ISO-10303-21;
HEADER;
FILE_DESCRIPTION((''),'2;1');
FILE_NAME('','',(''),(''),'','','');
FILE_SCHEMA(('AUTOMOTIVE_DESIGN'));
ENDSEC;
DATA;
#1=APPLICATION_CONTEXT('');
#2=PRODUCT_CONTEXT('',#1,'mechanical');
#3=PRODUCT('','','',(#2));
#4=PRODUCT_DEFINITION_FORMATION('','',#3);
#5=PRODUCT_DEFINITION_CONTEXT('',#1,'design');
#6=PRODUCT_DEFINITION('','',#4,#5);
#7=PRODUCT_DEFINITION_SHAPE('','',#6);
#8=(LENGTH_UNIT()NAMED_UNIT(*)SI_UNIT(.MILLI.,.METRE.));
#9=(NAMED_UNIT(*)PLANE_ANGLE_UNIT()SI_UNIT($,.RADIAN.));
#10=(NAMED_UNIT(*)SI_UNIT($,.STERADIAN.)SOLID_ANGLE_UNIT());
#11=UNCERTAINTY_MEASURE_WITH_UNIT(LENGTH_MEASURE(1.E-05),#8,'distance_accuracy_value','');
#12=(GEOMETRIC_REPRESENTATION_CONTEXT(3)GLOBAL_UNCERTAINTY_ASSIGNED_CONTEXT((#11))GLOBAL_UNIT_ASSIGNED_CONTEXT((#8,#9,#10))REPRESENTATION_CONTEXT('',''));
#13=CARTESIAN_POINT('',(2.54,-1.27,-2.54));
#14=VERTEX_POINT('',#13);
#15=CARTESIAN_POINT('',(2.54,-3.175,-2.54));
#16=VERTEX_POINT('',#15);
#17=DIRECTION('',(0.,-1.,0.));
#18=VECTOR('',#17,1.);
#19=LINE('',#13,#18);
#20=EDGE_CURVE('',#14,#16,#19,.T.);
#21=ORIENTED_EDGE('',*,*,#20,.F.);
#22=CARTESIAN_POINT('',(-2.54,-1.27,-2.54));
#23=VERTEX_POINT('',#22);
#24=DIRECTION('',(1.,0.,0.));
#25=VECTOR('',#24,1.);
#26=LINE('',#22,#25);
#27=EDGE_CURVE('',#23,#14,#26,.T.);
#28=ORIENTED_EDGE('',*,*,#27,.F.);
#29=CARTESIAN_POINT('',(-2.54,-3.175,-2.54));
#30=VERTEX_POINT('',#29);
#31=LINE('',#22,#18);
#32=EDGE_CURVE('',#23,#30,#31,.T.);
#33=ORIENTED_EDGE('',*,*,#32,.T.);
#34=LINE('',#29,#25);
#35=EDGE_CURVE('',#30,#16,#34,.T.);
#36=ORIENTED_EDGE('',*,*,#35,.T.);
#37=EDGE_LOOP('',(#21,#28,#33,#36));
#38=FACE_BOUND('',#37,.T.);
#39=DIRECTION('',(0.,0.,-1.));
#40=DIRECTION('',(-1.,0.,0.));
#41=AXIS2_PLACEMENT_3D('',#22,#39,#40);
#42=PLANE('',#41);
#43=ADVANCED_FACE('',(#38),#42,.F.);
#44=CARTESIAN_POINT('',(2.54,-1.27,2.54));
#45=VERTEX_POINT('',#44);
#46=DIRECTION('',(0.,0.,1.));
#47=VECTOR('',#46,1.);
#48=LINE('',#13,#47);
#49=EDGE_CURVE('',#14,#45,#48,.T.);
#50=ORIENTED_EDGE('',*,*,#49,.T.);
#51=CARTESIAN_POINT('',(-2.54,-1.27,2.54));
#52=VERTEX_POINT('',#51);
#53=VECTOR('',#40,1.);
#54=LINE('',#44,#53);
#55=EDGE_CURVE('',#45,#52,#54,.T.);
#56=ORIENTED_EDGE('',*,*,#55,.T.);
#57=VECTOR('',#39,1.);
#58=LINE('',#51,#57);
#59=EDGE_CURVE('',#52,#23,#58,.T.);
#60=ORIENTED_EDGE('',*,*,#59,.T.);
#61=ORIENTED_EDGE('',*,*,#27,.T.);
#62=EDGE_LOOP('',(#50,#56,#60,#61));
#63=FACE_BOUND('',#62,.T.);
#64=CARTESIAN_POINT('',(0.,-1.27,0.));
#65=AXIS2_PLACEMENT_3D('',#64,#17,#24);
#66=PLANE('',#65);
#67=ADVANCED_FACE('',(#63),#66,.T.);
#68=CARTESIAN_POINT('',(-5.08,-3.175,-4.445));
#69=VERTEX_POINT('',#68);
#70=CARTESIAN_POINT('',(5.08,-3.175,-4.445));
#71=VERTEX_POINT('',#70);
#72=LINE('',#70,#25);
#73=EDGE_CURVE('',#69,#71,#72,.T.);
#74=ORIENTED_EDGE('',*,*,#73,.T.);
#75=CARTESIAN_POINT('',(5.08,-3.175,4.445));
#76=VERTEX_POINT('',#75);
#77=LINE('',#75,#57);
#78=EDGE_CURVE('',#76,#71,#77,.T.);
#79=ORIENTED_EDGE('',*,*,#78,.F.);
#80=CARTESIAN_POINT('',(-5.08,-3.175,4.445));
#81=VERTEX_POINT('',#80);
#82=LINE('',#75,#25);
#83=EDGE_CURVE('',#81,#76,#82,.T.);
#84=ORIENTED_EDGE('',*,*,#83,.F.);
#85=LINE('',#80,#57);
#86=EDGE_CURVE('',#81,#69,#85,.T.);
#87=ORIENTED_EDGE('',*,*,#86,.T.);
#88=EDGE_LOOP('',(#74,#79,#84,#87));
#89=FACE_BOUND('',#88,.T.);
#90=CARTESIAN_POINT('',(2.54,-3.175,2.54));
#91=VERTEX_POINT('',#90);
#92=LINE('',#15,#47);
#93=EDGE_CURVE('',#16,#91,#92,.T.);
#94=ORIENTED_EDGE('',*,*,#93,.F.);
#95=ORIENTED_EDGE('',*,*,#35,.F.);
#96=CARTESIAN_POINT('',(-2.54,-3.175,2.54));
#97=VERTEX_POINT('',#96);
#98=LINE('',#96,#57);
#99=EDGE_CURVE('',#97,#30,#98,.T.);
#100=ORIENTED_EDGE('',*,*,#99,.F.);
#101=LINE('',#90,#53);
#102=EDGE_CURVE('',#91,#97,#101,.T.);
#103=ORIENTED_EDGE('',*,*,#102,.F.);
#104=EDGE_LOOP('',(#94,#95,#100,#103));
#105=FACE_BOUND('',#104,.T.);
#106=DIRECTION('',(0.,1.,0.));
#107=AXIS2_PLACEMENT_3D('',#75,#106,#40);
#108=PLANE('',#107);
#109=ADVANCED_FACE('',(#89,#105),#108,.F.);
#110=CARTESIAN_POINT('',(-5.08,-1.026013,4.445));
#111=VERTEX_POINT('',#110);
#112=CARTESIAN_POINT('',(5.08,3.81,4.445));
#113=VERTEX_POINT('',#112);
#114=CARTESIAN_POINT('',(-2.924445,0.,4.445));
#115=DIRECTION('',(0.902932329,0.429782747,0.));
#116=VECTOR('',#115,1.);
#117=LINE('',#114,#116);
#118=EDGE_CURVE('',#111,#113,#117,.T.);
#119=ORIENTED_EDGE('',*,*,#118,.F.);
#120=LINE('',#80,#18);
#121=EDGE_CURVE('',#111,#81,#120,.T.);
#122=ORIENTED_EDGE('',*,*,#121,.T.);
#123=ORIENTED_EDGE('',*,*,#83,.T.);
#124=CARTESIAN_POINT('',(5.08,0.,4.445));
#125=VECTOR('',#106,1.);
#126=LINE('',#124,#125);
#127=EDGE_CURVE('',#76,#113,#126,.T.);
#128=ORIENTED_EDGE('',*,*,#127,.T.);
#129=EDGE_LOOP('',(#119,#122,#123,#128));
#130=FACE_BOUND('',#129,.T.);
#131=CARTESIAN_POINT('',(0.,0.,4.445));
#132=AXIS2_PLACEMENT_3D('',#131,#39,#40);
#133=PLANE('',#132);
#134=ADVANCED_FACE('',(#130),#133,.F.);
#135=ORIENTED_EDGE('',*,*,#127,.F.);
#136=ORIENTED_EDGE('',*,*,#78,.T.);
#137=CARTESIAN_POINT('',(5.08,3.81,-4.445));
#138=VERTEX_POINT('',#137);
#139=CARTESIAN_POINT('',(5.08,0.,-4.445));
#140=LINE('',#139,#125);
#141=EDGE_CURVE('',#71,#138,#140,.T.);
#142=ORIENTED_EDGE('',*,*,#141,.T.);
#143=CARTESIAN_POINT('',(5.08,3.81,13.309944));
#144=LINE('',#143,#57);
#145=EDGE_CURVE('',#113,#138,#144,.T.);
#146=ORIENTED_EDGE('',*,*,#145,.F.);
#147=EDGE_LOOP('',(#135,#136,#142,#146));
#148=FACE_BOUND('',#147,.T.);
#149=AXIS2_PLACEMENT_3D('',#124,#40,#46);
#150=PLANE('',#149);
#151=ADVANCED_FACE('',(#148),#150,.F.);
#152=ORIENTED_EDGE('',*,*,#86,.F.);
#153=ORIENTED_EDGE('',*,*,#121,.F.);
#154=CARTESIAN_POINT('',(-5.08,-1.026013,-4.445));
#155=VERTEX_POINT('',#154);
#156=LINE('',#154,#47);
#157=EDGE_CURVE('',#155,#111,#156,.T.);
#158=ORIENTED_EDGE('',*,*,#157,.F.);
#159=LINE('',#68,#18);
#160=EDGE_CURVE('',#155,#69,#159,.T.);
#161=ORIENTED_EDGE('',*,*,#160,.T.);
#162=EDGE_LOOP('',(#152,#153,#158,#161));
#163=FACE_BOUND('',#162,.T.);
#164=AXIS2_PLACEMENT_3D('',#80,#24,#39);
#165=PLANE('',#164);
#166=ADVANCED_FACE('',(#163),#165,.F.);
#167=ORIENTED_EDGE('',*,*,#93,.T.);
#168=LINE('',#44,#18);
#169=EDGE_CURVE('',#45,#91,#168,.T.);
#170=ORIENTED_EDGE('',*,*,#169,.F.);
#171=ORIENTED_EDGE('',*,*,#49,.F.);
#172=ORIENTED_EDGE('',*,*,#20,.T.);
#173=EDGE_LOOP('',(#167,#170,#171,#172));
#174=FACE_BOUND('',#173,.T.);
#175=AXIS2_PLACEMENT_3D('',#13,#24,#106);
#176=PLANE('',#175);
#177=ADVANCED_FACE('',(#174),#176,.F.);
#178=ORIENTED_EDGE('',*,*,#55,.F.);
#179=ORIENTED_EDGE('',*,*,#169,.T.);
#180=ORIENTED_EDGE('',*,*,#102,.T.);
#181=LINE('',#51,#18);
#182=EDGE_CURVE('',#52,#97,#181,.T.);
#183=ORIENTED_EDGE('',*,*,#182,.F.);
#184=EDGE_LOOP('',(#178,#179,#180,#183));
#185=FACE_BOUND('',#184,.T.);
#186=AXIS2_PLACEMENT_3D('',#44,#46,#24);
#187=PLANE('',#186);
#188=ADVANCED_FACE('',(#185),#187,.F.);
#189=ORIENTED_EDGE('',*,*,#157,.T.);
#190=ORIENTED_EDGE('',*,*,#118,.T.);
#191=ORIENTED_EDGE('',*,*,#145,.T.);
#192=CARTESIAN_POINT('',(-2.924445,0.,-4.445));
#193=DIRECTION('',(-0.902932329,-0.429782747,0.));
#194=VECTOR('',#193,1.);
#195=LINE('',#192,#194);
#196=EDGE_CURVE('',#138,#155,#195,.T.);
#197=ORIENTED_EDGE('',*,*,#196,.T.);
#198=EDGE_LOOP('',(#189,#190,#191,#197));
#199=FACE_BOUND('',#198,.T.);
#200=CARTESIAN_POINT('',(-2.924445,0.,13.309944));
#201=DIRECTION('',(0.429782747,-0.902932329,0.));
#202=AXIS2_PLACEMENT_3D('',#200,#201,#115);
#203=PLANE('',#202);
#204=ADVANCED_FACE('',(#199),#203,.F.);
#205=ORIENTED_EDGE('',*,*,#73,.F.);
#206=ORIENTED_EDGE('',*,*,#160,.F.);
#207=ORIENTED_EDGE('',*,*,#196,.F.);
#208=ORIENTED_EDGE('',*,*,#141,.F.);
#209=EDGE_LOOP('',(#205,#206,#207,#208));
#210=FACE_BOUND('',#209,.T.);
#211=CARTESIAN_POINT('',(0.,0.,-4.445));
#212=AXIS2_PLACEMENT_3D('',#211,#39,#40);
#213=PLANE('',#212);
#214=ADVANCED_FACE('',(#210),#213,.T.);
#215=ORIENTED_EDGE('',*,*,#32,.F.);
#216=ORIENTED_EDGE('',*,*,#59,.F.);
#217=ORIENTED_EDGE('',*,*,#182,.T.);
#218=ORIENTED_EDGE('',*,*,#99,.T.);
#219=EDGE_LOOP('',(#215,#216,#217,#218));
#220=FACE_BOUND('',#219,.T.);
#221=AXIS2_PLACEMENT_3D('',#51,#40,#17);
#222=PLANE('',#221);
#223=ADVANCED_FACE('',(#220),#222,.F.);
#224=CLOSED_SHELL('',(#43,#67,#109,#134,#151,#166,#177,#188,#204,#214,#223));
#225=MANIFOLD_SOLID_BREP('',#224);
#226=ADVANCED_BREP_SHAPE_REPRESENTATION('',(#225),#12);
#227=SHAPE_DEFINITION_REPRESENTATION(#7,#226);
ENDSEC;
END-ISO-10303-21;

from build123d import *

# Parameters (mm, degrees)
SKETCH1_W                       = 10.16
SKETCH1_H                       = 3.175
BOSS_EXTRUDE1_DEPTH             = 4.445
SKETCH3_OUTSIDE_W               = 14.934
SKETCH3_OUTSIDE_H               = 13.664
SKETCH3_OUTSIDE_W_2             = 10.16
SKETCH3_OUTSIDE_H_2             = 8.89
SKETCH3_OUTSIDE_W_3             = 5.08
SKETCH3_OUTSIDE_H_3             = 5.08
CUT_EXTRUDE1_DEPTH              = 1.905
BOSS_EXTRUDE2_REACH             = 6.445
BOSS_EXTRUDE2_DIRECTION_2_REACH = 6.445
CUT_EXTRUDE3_DEPTH              = 5.445
CUT_EXTRUDE3_DEPTH_BACK         = 5.445


with BuildPart() as part:
    # Sketch1 → Boss-Extrude1 (new body, symmetric)
    with BuildSketch(Plane.XY):
        with Locations((0, -1.5875)):
            Rectangle(SKETCH1_W, SKETCH1_H)
    extrude(amount=BOSS_EXTRUDE1_DEPTH, both=True)

    # Sketch3 outside → Cut-Extrude1 (cut)
    with BuildSketch(Plane.XZ.offset(3.175)):
        Rectangle(SKETCH3_OUTSIDE_W, SKETCH3_OUTSIDE_H)
        Rectangle(SKETCH3_OUTSIDE_W_2, SKETCH3_OUTSIDE_H_2, mode=Mode.SUBTRACT)
        Rectangle(SKETCH3_OUTSIDE_W_3, SKETCH3_OUTSIDE_H_3)
    extrude(amount=-CUT_EXTRUDE1_DEPTH, mode=Mode.SUBTRACT)

    # Boss-Extrude2: up to this face of the body (flat: up to its plane)
    boss_extrude2_end = Plane(part.part.faces().sort_by_distance((0, -1.5875, 4.445))[0])
    # Sketch5 → Boss-Extrude2 (add, up to the picked face)
    with BuildSketch(Plane.XY, mode=Mode.PRIVATE) as boss_extrude2_sk1:
        Polygon((-2.924444558, 0), (5.08, 3.81), (5.08, 0), align=None)
    boss_extrude2_tool1 = split(extrude(boss_extrude2_sk1.sketch, amount=BOSS_EXTRUDE2_REACH, mode=Mode.PRIVATE), bisect_by=boss_extrude2_end, keep=Keep.BOTH, mode=Mode.PRIVATE)
    add(boss_extrude2_tool1.solids().sort_by_distance((2.411852, 1.27, 0))[0])

    # Boss-Extrude2 direction 2: up to this face of the body (flat: up to its plane)
    boss_extrude2_direction_2_end = Plane(part.part.faces().sort_by_distance((0, -1.5875, -4.445))[0])
    # Sketch5 → Boss-Extrude2 direction 2 (add, up to the picked face)
    with BuildSketch(Plane.XY, mode=Mode.PRIVATE) as boss_extrude2_direction_2_sk1:
        Polygon((-2.924444558, 0), (5.08, 3.81), (5.08, 0), align=None)
    boss_extrude2_direction_2_tool1 = split(extrude(boss_extrude2_direction_2_sk1.sketch, amount=-BOSS_EXTRUDE2_DIRECTION_2_REACH, mode=Mode.PRIVATE), bisect_by=boss_extrude2_direction_2_end, keep=Keep.BOTH, mode=Mode.PRIVATE)
    add(boss_extrude2_direction_2_tool1.solids().sort_by_distance((2.411852, 1.27, 0))[0])

    # Sketch6 → Cut-Extrude3 (cut, two sides)
    with BuildSketch(Plane.XY) as cut_extrude3_sk:
        Polygon((-5.08, -1.026013257), (-5.08, 0), (-2.924444558, 0), align=None)
    extrude(amount=CUT_EXTRUDE3_DEPTH, mode=Mode.SUBTRACT)
    extrude(cut_extrude3_sk.sketch, amount=-CUT_EXTRUDE3_DEPTH_BACK, mode=Mode.SUBTRACT)


solid = part.part
